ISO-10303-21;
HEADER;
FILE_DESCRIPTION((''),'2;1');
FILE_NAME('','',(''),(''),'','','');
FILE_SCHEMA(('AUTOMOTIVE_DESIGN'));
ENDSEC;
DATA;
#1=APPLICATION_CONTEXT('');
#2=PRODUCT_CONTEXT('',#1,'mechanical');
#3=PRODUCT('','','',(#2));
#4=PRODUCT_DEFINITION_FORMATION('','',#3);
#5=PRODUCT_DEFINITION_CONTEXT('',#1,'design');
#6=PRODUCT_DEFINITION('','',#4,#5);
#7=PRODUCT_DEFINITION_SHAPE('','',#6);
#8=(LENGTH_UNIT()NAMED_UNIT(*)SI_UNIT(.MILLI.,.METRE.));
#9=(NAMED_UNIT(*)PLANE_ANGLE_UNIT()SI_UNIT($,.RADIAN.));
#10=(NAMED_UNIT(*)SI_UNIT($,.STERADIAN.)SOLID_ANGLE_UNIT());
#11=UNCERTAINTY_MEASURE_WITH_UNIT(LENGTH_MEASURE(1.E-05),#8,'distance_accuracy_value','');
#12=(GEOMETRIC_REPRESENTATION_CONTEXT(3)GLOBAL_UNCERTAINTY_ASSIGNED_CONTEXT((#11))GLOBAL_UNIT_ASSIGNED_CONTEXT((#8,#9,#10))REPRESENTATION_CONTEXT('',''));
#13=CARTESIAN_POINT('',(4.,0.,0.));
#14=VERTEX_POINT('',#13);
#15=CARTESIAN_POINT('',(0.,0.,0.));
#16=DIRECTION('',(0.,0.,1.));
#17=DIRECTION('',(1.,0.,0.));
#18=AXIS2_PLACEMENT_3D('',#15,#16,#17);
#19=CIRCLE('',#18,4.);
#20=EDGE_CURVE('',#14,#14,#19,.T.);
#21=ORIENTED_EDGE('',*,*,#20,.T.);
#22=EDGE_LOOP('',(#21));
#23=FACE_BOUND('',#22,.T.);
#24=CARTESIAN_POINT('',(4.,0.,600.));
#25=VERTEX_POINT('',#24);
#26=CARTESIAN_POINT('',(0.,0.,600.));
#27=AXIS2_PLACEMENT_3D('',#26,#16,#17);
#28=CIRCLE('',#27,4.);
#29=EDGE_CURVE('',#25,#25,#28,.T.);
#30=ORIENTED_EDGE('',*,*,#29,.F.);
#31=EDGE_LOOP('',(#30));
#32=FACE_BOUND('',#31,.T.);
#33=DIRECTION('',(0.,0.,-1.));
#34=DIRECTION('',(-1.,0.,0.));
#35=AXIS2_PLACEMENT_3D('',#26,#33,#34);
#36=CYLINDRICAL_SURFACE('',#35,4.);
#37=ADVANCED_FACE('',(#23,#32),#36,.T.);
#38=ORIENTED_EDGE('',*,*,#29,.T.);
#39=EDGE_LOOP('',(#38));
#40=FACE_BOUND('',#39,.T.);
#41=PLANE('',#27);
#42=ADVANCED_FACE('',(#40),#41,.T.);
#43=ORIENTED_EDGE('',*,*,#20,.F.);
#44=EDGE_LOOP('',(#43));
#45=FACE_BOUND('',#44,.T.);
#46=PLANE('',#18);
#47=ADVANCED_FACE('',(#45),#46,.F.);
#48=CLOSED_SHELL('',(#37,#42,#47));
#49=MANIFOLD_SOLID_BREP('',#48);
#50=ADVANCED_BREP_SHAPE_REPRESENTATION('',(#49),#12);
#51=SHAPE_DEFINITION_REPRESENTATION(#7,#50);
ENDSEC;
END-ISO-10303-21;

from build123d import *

# Parameters (mm, degrees)
ESQUISSE1_R        = 4
BOSS_EXTRU_1_DEPTH = 600


with BuildPart() as part:
    # Esquisse1 → Boss.-Extru.1 (new body)
    with BuildSketch(Plane.XY):
        Circle(ESQUISSE1_R)
    extrude(amount=BOSS_EXTRU_1_DEPTH)


solid = part.part
